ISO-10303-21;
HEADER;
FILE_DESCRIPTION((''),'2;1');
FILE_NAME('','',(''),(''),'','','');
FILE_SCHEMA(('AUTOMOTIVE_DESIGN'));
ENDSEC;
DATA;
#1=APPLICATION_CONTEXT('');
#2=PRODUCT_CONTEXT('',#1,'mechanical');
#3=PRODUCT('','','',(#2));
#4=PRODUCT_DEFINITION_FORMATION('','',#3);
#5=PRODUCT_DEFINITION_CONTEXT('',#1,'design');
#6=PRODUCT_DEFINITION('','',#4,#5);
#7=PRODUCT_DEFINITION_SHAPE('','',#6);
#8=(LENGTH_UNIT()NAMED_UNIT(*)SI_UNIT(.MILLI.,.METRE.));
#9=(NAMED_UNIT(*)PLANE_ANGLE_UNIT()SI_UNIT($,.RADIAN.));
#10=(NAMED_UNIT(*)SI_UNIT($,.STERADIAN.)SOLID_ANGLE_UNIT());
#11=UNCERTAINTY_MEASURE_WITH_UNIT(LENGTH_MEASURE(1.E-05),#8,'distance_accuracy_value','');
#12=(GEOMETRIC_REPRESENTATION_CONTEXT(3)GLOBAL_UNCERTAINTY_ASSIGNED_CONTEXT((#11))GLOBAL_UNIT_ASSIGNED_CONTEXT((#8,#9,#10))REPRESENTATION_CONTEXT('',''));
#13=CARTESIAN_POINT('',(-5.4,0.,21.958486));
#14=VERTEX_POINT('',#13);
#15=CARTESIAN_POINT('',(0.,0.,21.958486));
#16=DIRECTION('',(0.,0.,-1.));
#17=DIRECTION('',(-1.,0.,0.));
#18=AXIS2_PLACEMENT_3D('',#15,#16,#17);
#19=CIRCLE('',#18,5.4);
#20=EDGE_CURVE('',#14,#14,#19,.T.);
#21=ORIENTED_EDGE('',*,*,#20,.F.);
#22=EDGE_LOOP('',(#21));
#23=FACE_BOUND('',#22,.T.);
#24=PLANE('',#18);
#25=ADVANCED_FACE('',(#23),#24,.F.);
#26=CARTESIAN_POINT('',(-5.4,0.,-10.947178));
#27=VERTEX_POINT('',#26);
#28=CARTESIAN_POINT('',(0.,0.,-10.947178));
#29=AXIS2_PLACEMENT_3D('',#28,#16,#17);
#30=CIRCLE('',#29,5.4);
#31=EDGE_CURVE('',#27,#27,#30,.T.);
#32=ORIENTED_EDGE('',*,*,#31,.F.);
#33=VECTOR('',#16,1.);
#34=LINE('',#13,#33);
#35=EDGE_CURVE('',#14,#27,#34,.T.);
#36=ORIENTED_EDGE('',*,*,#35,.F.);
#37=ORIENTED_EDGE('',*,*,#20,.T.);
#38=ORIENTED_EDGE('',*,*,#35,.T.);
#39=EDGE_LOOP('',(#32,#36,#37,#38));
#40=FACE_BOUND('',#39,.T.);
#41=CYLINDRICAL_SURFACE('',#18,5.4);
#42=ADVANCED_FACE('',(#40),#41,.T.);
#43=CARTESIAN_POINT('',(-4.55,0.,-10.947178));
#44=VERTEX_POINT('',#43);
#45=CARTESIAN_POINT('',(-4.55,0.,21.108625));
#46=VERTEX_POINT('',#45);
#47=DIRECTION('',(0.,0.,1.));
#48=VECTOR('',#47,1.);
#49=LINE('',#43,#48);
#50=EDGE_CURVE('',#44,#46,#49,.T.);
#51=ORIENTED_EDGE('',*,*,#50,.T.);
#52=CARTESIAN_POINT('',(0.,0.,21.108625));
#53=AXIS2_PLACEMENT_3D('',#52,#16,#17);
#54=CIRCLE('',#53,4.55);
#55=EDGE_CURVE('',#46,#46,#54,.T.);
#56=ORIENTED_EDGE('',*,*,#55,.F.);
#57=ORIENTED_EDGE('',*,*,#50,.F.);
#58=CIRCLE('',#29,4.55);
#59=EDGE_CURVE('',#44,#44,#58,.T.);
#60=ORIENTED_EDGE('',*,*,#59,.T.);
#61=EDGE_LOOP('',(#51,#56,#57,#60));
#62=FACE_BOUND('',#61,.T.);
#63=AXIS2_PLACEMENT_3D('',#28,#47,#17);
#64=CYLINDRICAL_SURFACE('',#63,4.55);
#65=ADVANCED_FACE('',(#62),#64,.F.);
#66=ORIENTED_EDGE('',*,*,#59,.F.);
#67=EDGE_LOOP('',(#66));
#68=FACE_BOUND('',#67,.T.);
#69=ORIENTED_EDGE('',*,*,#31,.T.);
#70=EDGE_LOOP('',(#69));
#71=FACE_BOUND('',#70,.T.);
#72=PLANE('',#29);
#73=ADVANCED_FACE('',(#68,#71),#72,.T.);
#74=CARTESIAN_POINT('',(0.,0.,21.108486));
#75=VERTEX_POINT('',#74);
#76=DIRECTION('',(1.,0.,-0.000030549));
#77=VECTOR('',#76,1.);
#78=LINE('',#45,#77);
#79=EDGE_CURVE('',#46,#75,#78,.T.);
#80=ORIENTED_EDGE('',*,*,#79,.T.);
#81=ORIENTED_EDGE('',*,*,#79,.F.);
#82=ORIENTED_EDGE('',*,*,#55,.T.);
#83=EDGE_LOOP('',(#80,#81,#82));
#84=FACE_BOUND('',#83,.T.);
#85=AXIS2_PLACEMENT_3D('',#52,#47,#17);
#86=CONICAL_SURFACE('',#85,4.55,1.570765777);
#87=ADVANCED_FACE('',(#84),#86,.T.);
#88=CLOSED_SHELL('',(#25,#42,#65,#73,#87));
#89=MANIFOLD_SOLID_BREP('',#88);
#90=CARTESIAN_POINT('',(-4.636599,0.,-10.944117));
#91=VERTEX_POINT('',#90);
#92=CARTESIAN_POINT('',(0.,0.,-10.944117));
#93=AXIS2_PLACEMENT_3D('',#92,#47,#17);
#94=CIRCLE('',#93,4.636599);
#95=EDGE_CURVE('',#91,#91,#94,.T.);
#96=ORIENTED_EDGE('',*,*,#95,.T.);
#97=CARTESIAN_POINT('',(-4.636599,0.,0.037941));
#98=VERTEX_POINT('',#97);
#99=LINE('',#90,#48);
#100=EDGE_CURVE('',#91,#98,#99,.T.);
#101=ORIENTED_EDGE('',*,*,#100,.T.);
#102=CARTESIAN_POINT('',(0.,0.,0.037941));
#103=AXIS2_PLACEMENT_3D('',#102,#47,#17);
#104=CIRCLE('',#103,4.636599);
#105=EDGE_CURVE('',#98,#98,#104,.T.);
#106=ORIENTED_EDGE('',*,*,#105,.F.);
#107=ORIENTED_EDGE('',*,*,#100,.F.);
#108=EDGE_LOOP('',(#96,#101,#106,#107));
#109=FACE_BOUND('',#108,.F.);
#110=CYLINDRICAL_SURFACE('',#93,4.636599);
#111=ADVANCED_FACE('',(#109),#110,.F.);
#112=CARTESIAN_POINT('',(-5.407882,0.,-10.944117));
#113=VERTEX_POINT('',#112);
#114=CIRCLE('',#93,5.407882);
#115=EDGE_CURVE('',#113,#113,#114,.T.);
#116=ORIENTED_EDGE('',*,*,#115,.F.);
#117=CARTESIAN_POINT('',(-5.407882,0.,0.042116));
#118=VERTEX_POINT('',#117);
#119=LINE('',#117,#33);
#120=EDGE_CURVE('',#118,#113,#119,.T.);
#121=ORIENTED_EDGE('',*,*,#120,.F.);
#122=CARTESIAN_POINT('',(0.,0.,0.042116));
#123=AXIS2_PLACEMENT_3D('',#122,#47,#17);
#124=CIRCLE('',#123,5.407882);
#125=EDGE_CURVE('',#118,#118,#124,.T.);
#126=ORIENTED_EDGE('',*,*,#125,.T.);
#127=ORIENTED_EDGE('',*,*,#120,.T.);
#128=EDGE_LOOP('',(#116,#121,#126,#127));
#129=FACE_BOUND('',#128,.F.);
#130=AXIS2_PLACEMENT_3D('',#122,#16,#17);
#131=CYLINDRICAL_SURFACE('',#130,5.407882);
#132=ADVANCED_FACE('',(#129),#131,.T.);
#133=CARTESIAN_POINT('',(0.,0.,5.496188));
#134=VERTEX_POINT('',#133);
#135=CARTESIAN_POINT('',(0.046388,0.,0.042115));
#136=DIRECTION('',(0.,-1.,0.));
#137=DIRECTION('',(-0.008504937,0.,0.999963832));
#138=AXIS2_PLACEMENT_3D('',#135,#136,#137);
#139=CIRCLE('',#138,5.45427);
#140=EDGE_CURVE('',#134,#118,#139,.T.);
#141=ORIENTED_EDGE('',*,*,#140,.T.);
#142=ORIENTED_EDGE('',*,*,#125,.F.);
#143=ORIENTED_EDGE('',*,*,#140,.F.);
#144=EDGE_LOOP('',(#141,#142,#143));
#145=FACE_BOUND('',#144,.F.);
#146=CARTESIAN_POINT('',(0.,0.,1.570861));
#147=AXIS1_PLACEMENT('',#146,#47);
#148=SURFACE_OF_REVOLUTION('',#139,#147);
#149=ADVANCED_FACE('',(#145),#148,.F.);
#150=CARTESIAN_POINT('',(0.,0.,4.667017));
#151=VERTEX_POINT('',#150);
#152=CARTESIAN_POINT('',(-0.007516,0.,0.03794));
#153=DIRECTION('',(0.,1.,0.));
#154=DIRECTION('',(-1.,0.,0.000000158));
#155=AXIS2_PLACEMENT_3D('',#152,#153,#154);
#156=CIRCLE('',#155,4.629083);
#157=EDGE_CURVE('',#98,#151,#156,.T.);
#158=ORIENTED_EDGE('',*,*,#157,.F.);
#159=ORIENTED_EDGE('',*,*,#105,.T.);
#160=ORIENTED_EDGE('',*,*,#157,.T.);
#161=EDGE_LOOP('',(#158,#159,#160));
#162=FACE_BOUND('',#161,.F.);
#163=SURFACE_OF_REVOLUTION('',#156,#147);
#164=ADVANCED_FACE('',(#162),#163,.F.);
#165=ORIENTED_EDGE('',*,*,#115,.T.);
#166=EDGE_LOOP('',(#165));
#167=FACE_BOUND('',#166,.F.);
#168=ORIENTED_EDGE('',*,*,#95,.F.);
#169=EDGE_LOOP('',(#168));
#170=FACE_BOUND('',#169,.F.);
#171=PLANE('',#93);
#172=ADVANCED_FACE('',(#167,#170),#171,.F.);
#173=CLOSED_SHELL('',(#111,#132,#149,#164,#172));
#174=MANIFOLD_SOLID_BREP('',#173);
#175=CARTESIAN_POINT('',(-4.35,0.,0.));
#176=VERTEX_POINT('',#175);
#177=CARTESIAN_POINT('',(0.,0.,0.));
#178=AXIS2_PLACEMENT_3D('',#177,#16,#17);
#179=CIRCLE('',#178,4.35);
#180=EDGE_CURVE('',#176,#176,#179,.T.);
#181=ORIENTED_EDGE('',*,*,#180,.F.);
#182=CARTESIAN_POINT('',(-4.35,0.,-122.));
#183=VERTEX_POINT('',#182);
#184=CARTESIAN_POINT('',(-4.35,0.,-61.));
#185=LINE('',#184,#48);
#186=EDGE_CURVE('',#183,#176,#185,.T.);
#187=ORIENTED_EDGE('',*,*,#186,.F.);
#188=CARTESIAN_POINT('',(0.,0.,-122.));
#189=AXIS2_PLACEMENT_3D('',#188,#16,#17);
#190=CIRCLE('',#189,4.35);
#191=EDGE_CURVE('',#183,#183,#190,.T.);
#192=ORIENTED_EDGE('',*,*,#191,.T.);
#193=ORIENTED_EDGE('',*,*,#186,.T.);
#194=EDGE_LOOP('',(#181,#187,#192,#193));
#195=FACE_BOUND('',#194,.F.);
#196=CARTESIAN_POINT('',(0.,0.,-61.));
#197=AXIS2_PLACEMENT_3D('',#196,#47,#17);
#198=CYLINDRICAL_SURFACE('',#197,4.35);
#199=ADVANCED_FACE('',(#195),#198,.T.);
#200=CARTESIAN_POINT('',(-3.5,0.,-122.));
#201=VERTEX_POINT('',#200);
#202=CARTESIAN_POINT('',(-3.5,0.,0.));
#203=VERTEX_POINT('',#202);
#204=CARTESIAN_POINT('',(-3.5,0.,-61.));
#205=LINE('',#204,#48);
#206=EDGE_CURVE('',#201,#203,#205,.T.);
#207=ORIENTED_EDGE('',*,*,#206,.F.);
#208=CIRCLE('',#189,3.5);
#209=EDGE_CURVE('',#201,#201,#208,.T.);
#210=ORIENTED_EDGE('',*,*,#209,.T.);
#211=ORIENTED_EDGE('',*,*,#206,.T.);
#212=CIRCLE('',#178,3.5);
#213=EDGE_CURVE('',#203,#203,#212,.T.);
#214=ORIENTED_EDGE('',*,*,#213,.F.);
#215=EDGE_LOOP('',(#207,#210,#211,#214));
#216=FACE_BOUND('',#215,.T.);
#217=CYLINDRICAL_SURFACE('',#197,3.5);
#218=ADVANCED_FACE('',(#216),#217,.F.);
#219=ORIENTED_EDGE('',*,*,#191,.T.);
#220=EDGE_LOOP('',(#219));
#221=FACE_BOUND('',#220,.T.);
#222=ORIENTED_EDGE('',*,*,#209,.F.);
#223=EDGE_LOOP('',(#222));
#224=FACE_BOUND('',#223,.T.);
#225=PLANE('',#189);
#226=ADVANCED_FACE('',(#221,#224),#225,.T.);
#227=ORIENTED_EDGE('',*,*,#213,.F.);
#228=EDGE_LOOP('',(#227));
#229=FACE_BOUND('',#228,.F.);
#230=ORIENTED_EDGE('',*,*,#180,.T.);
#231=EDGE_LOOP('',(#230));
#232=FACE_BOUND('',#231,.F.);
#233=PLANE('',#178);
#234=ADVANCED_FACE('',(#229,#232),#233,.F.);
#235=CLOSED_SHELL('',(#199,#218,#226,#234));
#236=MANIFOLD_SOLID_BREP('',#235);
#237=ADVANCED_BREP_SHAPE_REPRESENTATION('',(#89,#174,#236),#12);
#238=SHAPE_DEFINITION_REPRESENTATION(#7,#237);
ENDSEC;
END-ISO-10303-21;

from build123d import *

# Parameters (mm, degrees)
F0_W = 0.85
F0_H = 122


with BuildPart() as f1:
    # F0 (on Front) → F1 (revolve)
    with BuildSketch(Plane.XZ):
        with Locations((-3.925, -61)):
            Rectangle(F0_W, F0_H)
    revolve(axis=Axis((0, 0, -4.035743), (0, 0, -1)))


with BuildPart() as f3:
    # F2 (on Front) → F3 (revolve)
    with BuildSketch(Plane.XZ):
        with BuildLine():
            Line((-4.636599, -10.944117), (-4.636599, 0.037941))
            ThreePointArc((-4.636599, 0.037941), (-3.278113, 3.313853), (0, 4.667017))
            Line((0, 4.667017), (0, 5.496188))
            ThreePointArc((0, 5.496188), (-3.826729, 3.882431), (-5.407882, 0.042116))
            Line((-5.407882, 0.042116), (-5.407882, -10.944117))
            Line((-5.407882, -10.944117), (-4.636599, -10.944117))
        make_face()
    revolve(axis=Axis((0, 0, 1.570861), (0, 0, 1)))


with BuildPart() as f5:
    # F4 (on Front) → F5 (revolve)
    with BuildSketch(Plane.XZ):
        Polygon((0, 21.108486), (0, 21.958486), (-5.4, 21.958486), (-5.4, -10.947178), (-4.55, -10.947178), (-4.55, 21.108625), align=None)
    revolve(axis=Axis((0, 0, -1.312066), (0, 0, -1)))


solid = Compound([f1.part, f3.part, f5.part])
